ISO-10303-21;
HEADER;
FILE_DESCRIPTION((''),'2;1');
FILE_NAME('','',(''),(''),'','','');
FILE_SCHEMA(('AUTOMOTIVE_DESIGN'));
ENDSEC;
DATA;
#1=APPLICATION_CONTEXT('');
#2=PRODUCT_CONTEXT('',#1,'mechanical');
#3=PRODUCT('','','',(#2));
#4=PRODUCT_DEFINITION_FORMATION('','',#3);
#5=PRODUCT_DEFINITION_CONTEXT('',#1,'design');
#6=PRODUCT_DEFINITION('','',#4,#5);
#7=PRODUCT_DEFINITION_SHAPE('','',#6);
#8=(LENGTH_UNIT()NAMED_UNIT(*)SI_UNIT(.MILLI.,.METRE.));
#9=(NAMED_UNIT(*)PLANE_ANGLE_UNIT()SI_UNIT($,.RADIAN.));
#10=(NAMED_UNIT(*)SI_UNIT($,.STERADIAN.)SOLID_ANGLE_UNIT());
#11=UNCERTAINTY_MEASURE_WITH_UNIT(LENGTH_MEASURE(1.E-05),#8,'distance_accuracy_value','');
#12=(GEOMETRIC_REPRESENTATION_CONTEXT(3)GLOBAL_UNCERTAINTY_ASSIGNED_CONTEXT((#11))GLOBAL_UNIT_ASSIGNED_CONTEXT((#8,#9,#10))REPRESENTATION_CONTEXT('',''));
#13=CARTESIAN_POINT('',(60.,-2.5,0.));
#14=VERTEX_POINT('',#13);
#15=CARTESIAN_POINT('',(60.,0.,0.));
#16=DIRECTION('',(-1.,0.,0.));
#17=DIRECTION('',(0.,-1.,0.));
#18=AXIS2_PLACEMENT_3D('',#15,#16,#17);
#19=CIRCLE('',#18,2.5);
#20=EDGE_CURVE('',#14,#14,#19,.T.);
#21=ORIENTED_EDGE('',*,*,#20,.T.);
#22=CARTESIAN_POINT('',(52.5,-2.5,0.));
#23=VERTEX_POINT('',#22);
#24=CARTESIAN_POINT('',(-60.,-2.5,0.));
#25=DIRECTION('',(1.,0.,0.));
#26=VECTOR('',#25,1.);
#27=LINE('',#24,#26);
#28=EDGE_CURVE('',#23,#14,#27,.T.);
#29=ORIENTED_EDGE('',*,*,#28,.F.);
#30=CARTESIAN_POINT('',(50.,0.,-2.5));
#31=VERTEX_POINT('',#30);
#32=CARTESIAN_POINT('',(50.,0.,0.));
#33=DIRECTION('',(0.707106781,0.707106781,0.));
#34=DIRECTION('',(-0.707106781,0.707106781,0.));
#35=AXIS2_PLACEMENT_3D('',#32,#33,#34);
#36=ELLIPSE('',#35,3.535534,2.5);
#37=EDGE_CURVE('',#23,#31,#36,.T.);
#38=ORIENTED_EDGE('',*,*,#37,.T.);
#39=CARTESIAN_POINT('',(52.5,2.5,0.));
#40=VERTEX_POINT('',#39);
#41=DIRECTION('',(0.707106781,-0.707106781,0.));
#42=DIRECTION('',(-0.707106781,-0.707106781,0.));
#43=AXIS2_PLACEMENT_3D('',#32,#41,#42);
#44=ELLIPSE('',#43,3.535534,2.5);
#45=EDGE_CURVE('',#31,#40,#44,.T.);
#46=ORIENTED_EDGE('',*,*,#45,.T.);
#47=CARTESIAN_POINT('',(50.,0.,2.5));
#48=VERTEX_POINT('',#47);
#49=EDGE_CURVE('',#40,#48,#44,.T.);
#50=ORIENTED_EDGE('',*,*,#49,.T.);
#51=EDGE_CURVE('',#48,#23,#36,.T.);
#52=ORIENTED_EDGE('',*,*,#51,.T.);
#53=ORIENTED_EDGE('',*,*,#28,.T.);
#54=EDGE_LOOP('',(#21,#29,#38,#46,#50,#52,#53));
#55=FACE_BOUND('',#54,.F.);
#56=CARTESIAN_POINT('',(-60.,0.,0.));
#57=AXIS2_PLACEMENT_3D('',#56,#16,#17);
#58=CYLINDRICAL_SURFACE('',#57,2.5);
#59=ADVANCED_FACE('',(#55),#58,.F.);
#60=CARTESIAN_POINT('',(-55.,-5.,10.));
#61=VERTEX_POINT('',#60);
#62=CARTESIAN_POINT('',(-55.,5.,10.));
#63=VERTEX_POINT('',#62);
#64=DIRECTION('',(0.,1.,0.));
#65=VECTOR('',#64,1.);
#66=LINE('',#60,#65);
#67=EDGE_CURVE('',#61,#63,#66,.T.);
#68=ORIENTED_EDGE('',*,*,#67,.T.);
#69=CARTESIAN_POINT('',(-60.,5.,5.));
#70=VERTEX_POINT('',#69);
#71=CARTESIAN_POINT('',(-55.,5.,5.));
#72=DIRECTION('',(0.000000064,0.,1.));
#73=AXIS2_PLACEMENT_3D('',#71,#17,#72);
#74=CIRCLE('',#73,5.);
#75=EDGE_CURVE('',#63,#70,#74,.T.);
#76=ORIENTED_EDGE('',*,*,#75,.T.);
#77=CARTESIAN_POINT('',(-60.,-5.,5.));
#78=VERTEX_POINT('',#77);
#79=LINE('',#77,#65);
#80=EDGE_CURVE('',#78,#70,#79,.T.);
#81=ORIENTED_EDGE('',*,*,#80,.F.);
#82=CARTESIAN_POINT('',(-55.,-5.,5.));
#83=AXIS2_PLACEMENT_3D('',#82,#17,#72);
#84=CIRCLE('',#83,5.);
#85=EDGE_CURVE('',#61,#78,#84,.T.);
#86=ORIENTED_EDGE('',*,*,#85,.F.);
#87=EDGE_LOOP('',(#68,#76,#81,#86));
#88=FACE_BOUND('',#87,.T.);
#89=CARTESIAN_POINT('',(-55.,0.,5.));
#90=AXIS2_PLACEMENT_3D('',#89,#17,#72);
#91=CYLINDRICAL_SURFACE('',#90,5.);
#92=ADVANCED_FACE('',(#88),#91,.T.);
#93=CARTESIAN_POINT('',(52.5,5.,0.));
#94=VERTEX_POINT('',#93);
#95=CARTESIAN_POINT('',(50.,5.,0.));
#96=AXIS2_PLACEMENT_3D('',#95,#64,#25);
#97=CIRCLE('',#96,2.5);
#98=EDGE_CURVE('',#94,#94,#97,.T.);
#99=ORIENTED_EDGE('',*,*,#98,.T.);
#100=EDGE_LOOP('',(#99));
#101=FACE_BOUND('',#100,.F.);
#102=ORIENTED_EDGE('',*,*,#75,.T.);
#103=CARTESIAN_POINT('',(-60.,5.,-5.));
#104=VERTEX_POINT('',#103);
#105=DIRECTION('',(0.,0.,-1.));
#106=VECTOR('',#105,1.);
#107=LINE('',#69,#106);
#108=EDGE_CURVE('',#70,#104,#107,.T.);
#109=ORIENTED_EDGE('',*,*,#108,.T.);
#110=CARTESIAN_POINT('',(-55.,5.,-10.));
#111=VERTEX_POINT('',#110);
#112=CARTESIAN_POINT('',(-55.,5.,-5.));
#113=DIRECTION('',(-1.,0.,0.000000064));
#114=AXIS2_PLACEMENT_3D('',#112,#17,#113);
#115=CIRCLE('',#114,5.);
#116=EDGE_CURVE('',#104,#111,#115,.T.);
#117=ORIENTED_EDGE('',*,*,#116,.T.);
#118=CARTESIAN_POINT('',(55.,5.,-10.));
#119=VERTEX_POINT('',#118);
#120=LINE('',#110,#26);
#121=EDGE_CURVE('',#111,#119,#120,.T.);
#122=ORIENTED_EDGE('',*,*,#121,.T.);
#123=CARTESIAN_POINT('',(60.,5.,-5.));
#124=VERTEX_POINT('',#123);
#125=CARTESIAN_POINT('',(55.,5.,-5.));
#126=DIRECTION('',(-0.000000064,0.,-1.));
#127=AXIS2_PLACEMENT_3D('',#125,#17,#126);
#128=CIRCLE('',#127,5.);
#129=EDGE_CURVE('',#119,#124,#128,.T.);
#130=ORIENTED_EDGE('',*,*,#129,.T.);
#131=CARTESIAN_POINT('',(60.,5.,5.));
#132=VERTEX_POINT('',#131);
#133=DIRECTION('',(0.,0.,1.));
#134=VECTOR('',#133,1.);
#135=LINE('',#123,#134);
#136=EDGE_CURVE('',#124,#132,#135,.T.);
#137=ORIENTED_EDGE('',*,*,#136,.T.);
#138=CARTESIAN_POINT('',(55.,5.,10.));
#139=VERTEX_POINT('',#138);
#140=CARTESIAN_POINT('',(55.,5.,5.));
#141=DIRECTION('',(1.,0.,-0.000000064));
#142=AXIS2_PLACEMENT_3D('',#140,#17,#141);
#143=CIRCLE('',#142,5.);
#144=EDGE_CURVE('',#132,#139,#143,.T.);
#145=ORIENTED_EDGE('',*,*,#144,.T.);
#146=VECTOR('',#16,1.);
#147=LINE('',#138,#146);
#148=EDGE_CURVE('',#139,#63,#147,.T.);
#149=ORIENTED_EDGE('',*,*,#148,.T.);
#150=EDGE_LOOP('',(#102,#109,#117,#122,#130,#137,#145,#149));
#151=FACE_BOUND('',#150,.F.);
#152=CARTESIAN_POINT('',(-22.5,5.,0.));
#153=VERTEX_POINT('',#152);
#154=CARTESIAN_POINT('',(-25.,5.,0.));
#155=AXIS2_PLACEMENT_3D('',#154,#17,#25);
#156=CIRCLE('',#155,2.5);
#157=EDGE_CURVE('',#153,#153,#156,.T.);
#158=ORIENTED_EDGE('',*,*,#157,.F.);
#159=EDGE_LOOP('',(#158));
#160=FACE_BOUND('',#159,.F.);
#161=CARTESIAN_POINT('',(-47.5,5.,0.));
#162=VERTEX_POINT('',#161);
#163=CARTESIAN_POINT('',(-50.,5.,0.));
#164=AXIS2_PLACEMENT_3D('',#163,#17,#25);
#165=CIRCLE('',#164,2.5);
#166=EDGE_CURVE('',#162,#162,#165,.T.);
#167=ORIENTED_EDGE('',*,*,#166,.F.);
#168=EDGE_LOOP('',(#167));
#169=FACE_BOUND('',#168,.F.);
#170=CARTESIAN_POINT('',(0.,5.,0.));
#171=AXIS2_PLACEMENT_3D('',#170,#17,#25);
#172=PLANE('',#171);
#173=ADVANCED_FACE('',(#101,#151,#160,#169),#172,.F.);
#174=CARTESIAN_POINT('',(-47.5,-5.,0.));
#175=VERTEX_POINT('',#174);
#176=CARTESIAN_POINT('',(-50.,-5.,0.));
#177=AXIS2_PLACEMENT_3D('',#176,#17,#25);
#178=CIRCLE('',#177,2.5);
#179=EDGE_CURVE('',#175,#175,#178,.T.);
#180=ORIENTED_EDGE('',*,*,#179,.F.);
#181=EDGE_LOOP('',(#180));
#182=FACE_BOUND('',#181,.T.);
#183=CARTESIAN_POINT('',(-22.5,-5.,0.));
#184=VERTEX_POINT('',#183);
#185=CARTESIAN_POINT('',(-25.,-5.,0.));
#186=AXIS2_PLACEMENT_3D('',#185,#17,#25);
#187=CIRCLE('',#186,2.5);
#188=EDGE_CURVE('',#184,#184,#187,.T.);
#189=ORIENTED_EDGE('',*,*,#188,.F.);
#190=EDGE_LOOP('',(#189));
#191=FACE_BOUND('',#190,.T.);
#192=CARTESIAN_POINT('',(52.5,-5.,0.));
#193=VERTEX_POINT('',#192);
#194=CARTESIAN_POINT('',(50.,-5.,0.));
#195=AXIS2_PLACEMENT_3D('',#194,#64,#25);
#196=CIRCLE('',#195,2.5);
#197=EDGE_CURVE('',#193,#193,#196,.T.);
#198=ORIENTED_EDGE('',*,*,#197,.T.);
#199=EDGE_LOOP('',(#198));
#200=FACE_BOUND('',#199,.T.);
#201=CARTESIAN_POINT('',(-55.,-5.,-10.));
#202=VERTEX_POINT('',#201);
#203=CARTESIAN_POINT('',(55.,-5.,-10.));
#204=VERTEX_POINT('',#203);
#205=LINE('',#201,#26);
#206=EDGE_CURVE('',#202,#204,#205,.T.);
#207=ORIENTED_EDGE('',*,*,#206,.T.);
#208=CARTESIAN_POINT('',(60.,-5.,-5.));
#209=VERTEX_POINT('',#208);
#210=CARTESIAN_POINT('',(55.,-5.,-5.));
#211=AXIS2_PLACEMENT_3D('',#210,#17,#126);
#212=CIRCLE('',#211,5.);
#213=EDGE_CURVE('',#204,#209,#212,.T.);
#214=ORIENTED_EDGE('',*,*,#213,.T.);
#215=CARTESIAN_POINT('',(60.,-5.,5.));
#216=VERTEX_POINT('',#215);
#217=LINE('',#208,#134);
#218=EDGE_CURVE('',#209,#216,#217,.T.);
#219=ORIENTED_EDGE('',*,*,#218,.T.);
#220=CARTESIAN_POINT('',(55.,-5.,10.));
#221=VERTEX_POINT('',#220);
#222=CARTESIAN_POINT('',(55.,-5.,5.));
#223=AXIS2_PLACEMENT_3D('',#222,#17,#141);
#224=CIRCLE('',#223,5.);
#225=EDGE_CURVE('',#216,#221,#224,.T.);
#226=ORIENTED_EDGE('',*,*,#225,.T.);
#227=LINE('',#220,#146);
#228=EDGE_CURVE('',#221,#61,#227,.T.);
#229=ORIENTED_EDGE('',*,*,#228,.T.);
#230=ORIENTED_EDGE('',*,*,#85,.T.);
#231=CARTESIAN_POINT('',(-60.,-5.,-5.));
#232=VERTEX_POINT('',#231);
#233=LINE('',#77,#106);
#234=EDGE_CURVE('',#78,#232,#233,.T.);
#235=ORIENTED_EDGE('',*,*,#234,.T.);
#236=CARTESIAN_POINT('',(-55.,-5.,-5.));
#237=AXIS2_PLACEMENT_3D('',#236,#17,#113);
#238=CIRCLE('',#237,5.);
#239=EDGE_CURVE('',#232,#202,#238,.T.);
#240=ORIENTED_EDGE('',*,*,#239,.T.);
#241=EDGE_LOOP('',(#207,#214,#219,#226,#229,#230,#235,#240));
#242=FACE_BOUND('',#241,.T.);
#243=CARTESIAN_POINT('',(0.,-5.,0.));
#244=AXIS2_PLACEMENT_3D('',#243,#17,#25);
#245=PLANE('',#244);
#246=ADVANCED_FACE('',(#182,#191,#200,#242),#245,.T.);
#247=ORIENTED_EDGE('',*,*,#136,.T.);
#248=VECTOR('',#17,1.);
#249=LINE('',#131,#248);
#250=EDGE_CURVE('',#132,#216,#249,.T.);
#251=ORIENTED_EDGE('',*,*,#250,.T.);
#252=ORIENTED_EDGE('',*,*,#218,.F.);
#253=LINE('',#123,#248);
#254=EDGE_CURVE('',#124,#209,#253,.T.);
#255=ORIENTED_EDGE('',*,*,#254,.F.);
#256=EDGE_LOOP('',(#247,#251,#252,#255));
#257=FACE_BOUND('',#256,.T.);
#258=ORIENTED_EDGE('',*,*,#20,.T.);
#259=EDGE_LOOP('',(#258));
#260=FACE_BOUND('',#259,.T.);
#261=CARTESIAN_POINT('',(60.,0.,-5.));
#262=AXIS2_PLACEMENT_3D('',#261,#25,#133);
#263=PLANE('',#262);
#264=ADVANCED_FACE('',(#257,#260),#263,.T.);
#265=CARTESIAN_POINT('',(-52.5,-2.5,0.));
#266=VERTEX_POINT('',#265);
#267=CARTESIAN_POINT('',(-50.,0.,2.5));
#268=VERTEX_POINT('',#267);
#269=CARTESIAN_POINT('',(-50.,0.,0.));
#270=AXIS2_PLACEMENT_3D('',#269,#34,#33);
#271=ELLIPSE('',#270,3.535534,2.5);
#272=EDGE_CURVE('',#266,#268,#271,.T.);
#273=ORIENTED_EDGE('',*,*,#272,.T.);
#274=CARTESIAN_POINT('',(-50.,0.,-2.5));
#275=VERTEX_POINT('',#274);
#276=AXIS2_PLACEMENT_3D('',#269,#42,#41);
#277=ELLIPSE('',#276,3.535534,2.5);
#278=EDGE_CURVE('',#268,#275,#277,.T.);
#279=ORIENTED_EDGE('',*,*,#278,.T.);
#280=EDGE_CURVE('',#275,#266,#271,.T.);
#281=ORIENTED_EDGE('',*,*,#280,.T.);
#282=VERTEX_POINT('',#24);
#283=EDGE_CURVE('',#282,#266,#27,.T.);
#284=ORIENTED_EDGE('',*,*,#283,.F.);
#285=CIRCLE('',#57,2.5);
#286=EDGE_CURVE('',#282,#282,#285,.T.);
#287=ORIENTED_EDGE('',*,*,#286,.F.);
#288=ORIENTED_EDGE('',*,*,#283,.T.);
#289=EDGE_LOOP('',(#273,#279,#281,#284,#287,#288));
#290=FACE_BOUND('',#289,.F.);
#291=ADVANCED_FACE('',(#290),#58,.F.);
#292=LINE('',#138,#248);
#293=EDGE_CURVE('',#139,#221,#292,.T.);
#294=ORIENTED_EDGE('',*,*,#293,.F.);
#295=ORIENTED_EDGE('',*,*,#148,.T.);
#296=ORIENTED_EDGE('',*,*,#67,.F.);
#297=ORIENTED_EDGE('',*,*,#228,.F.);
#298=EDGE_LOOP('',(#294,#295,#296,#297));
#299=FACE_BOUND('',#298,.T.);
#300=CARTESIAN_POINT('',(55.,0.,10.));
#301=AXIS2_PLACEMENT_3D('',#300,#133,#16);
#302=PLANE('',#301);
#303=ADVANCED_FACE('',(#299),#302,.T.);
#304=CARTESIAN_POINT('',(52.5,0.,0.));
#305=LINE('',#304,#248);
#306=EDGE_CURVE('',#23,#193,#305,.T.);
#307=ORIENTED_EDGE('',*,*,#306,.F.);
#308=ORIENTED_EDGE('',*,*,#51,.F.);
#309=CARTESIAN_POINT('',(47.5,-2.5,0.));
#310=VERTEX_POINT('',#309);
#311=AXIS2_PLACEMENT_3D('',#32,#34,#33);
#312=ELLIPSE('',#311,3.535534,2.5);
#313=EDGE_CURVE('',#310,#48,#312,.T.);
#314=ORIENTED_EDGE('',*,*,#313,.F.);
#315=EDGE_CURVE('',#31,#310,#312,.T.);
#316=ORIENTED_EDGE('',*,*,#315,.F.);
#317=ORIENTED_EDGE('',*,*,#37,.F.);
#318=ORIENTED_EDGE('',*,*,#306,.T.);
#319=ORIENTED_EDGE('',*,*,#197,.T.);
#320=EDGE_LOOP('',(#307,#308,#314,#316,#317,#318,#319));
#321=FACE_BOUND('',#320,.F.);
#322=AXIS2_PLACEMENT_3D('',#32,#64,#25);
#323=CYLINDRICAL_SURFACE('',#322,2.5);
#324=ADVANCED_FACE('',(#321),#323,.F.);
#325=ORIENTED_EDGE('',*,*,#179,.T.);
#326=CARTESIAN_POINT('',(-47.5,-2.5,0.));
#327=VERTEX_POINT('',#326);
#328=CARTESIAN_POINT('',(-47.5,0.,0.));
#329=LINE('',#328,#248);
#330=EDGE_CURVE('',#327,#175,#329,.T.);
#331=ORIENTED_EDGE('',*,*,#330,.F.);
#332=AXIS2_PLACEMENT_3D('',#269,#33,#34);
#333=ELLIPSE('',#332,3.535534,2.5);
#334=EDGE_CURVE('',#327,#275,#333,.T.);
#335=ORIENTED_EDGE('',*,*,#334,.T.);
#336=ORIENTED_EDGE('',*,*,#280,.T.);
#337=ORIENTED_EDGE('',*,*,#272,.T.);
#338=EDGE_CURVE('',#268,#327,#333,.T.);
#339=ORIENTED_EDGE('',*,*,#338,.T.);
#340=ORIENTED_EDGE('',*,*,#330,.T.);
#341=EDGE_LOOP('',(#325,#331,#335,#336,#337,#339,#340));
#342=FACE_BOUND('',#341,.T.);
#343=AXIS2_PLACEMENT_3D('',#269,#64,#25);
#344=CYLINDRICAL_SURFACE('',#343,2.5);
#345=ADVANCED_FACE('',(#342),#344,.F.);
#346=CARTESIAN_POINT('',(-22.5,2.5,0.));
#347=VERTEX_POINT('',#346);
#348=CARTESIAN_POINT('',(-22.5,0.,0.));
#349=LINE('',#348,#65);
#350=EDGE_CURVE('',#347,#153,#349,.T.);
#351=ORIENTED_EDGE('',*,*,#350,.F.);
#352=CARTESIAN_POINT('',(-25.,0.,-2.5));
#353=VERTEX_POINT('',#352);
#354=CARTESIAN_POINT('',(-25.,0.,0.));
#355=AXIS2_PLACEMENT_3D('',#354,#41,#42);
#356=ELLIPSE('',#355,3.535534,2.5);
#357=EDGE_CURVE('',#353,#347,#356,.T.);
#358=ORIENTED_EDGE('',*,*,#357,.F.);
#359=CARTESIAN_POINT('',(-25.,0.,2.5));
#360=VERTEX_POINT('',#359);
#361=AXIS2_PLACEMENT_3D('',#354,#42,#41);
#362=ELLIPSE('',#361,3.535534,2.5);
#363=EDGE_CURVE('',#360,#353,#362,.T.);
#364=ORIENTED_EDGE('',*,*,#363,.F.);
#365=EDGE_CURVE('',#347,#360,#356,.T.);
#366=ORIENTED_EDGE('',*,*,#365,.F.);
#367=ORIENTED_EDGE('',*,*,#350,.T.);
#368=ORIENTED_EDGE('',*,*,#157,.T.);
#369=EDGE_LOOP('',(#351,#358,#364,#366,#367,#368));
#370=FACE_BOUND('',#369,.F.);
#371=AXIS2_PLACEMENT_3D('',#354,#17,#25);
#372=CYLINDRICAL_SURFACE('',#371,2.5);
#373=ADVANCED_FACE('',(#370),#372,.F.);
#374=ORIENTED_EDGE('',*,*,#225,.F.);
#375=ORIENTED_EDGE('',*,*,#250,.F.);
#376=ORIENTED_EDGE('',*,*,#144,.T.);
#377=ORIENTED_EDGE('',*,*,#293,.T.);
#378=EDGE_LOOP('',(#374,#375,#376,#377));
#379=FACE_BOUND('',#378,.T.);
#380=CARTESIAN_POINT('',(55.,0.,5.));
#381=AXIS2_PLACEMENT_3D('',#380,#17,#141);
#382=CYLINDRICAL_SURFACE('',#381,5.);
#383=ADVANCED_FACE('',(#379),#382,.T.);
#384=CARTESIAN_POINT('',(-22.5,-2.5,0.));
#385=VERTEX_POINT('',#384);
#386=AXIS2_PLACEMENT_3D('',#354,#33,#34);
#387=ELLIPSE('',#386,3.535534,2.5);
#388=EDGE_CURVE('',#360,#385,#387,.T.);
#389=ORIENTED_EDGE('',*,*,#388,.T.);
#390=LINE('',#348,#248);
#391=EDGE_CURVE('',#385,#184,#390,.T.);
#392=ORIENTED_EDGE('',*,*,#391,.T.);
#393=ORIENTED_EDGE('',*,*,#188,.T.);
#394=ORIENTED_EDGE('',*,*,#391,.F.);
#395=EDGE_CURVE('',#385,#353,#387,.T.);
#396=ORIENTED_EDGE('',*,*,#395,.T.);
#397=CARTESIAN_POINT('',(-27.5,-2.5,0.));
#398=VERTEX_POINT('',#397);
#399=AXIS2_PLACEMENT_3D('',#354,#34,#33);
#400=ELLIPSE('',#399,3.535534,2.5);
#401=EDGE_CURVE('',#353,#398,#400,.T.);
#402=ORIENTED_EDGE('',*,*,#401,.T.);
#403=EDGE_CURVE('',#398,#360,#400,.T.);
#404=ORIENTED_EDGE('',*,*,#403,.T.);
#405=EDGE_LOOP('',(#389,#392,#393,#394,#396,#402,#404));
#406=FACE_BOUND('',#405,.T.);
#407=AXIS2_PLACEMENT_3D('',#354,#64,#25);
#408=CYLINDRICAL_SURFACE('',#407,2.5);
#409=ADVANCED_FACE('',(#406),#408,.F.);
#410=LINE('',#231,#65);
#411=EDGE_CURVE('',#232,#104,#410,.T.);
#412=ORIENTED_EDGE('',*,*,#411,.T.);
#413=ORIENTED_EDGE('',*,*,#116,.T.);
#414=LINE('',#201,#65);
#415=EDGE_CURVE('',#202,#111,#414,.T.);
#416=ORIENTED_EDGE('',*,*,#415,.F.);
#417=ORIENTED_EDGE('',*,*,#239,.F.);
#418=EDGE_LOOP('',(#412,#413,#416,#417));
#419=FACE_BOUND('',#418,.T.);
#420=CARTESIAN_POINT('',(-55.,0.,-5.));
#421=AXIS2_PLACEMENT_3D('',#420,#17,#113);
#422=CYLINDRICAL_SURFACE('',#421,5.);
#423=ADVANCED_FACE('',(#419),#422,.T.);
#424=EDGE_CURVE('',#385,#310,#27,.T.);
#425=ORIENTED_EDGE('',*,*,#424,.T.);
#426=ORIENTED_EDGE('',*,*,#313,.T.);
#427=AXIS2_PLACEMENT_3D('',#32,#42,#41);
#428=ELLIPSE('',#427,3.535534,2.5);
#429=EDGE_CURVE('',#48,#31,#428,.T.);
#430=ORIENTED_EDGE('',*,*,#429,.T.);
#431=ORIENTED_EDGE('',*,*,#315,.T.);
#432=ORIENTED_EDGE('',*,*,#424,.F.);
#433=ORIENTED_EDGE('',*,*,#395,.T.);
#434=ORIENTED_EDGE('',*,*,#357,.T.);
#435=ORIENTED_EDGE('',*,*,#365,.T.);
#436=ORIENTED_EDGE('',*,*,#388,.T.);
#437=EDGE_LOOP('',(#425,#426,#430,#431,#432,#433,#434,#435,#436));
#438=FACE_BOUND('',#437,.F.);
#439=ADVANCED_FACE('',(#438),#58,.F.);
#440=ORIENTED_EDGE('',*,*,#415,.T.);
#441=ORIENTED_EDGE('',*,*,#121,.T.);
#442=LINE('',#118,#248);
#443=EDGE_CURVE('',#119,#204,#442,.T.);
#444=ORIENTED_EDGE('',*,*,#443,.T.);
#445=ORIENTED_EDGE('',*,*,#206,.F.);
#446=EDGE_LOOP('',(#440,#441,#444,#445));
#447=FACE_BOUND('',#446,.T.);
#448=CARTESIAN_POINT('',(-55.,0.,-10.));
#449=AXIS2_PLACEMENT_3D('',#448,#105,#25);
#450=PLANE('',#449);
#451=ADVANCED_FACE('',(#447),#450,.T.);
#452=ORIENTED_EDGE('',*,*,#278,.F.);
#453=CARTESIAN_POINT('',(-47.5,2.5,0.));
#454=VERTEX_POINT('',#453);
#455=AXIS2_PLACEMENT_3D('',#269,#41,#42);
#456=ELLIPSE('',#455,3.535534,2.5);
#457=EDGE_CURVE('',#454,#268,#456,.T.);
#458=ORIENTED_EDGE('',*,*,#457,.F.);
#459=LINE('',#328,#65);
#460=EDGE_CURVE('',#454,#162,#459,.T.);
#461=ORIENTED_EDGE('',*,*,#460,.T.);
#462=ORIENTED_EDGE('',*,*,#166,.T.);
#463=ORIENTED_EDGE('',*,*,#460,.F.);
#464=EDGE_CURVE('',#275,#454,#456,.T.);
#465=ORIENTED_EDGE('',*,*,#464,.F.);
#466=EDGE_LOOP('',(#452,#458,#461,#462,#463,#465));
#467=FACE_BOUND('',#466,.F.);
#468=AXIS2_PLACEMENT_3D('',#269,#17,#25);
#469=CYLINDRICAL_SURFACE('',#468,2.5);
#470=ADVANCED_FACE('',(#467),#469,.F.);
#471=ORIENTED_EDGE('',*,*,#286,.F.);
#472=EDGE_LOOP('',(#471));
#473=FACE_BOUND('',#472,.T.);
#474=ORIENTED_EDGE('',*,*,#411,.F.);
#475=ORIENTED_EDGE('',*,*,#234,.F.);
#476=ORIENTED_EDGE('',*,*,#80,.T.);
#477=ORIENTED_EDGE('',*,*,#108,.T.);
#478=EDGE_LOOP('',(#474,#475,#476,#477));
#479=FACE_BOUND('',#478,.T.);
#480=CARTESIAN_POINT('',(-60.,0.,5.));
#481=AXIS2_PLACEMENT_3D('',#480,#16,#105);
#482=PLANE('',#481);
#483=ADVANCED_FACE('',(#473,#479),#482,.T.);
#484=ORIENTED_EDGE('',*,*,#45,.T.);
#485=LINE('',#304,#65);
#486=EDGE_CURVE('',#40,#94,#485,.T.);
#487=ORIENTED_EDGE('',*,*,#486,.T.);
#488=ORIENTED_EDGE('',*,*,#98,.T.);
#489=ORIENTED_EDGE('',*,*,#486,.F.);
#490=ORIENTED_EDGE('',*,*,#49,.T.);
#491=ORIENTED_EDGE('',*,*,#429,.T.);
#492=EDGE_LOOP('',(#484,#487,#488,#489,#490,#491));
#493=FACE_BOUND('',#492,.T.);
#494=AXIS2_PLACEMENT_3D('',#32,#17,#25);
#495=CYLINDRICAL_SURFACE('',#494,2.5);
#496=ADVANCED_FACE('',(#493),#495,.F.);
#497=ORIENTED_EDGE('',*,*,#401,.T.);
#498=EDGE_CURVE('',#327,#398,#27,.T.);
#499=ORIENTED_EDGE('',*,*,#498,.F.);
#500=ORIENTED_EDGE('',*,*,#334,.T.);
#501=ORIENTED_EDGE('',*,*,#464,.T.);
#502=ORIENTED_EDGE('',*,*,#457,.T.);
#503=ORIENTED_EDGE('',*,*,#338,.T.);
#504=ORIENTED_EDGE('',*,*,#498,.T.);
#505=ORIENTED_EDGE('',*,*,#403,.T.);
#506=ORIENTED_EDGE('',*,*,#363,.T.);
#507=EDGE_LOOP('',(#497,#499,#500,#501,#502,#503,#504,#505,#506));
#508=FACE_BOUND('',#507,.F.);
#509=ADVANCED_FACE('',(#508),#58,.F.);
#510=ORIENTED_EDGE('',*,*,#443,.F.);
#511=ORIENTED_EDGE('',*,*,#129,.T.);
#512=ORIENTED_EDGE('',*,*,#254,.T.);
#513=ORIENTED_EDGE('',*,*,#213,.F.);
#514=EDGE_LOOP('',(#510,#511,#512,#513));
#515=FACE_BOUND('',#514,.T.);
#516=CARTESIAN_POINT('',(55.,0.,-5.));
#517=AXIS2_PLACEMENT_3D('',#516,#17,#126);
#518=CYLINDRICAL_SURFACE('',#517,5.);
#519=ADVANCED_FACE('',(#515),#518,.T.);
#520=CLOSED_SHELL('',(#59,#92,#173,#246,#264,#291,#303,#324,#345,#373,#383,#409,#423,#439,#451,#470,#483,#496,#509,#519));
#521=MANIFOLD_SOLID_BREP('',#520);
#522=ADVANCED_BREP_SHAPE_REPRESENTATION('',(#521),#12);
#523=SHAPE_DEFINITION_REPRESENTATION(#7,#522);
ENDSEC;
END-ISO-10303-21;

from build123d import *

# Parameters (mm, degrees)
F0_R     = 2.5
F1_DEPTH = 5
F2_R     = 2.5
F3_DEPTH = 120


with BuildPart() as f1:
    # F0 (on Front) → F1 (new body, symmetric)
    with BuildSketch(Plane.XZ):
        with BuildLine():
            Line((-55, -10), (55, -10))
            ThreePointArc((55, -10), (58.535534, -8.535534), (60, -5))
            Line((60, -5), (60, 5))
            ThreePointArc((60, 5), (58.535534, 8.535534), (55, 10))
            Line((55, 10), (-55, 10))
            ThreePointArc((-55, 10), (-58.535534, 8.535534), (-60, 5))
            Line((-60, 5), (-60, -5))
            ThreePointArc((-60, -5), (-58.535534, -8.535534), (-55, -10))
        make_face()
        with Locations((-50, 0)):
            Circle(F0_R, mode=Mode.SUBTRACT)
        with Locations((-25, 0)):
            Circle(F0_R, mode=Mode.SUBTRACT)
        with BuildLine():
            ThreePointArc((47.5, 0), (50, 2.5), (52.5, 0))
            ThreePointArc((52.5, 0), (50, -2.5), (47.5, 0))
        make_face(mode=Mode.SUBTRACT)
    extrude(amount=F1_DEPTH, both=True)

    # F2 (on face) → F3 (cut)
    with BuildSketch(Plane(origin=(-60, 0, 0), x_dir=(0, -1, 0), z_dir=(-1, 0, 0))):
        Circle(F2_R)
    extrude(amount=-F3_DEPTH, mode=Mode.SUBTRACT)


solid = f1.part
